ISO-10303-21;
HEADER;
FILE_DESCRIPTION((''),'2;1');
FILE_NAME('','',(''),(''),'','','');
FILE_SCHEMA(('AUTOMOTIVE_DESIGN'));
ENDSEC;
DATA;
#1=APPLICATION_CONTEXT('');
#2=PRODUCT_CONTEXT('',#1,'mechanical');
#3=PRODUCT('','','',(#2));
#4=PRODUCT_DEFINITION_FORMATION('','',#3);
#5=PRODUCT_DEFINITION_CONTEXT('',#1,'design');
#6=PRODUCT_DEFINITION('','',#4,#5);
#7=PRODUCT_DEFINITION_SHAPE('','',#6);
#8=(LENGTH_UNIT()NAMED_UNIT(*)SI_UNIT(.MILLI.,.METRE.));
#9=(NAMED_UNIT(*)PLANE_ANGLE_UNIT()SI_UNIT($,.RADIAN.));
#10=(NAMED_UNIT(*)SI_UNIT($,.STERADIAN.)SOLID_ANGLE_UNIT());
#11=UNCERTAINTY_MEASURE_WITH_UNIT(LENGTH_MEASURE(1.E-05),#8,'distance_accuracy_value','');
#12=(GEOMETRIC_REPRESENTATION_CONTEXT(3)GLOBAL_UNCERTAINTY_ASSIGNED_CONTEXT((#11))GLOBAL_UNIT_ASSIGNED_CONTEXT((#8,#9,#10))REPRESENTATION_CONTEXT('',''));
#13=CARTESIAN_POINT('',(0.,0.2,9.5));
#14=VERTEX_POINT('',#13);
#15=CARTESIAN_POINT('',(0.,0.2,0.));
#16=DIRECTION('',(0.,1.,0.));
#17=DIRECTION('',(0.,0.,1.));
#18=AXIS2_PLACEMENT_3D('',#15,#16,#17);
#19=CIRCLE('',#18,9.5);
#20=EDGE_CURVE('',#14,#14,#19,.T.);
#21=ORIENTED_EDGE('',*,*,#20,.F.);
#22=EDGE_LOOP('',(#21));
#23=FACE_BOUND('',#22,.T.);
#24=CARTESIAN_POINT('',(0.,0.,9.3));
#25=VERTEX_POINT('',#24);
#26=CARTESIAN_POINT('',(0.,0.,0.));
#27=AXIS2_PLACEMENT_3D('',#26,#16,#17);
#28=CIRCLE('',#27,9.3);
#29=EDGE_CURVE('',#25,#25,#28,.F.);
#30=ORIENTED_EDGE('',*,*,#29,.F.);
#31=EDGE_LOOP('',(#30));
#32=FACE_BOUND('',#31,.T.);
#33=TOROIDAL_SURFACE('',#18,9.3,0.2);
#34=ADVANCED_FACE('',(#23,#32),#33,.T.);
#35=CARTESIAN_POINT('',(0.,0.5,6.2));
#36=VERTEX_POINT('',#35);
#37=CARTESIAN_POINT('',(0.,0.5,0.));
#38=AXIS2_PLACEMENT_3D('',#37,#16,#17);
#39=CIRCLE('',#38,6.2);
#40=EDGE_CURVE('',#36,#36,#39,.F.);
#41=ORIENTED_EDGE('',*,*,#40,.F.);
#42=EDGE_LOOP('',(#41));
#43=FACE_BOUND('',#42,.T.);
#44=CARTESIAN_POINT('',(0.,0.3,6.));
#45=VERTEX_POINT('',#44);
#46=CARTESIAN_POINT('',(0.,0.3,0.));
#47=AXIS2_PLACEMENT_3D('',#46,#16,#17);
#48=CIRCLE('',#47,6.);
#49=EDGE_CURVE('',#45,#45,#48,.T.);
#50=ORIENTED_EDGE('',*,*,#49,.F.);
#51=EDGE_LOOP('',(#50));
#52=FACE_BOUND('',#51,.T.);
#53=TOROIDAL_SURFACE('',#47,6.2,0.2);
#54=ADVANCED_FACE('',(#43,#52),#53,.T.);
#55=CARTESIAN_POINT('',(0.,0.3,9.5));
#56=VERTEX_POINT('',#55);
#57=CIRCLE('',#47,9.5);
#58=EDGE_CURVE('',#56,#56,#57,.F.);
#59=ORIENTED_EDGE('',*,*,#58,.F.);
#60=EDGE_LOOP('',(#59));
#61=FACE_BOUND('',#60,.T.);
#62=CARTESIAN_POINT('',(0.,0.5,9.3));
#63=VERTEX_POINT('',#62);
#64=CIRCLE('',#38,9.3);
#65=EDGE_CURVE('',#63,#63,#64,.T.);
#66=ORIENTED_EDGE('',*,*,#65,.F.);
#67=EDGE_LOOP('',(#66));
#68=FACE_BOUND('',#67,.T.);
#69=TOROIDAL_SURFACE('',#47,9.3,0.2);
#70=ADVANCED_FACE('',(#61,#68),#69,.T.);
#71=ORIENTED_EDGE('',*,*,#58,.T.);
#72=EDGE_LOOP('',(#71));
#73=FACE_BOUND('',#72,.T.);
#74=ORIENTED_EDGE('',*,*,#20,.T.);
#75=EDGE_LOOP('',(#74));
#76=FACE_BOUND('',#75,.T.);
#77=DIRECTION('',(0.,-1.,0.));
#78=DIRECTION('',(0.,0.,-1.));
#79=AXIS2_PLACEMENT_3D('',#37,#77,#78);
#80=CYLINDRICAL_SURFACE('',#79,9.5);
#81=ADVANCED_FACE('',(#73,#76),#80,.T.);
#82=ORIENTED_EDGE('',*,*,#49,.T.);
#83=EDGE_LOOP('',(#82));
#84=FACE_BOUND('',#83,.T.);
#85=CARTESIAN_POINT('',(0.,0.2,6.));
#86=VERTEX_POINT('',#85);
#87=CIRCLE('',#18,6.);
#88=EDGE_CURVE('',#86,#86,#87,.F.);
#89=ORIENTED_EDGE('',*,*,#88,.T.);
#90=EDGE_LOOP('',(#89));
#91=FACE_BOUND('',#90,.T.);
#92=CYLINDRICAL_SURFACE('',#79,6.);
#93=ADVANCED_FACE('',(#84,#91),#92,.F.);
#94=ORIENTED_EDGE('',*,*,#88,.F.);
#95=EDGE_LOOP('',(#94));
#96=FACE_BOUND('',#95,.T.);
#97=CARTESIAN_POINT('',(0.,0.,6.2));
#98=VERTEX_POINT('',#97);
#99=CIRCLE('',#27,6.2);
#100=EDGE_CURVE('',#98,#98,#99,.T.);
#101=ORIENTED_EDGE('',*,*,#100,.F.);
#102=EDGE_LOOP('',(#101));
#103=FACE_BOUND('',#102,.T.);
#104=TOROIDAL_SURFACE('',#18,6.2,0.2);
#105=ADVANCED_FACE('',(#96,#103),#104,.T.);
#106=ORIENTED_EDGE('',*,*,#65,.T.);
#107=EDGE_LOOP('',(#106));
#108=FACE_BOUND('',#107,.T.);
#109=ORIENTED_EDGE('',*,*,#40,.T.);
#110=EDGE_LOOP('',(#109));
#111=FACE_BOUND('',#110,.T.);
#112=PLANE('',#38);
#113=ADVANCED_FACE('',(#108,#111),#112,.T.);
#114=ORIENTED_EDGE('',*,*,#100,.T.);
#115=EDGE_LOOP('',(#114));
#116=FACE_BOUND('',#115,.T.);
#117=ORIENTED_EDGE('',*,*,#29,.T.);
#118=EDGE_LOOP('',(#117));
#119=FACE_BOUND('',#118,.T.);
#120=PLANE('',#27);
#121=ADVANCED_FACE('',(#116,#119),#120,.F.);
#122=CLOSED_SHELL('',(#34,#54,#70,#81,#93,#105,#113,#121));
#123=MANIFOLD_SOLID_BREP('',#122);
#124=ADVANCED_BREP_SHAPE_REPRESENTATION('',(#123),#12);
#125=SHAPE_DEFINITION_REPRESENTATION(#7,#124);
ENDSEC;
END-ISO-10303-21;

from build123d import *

# Parameters (mm, degrees)
SKETCH1_R           = 9.5
SKETCH1_R_2         = 6
BOSS_EXTRUDE1_DEPTH = 0.5
FILLET1_R           = 0.2


with BuildPart() as part:
    # Sketch1 → Boss-Extrude1 (new body)
    with BuildSketch(Plane(origin=(0, 0, 0), x_dir=(1, 0, 0), z_dir=(0, 1, 0))):
        Circle(SKETCH1_R)
        Circle(SKETCH1_R_2, mode=Mode.SUBTRACT)
    extrude(amount=BOSS_EXTRUDE1_DEPTH)

    # Fillet1
    fillet1_edges = [part.edges().sort_by_distance(p)[0] for p in [
        (-9.5, 0, 0),
        (-9.5, 0.5, 0),
        (-6, 0, 0),
        (-6, 0.5, 0),
    ]]
    fillet(fillet1_edges, radius=FILLET1_R)


solid = part.part
